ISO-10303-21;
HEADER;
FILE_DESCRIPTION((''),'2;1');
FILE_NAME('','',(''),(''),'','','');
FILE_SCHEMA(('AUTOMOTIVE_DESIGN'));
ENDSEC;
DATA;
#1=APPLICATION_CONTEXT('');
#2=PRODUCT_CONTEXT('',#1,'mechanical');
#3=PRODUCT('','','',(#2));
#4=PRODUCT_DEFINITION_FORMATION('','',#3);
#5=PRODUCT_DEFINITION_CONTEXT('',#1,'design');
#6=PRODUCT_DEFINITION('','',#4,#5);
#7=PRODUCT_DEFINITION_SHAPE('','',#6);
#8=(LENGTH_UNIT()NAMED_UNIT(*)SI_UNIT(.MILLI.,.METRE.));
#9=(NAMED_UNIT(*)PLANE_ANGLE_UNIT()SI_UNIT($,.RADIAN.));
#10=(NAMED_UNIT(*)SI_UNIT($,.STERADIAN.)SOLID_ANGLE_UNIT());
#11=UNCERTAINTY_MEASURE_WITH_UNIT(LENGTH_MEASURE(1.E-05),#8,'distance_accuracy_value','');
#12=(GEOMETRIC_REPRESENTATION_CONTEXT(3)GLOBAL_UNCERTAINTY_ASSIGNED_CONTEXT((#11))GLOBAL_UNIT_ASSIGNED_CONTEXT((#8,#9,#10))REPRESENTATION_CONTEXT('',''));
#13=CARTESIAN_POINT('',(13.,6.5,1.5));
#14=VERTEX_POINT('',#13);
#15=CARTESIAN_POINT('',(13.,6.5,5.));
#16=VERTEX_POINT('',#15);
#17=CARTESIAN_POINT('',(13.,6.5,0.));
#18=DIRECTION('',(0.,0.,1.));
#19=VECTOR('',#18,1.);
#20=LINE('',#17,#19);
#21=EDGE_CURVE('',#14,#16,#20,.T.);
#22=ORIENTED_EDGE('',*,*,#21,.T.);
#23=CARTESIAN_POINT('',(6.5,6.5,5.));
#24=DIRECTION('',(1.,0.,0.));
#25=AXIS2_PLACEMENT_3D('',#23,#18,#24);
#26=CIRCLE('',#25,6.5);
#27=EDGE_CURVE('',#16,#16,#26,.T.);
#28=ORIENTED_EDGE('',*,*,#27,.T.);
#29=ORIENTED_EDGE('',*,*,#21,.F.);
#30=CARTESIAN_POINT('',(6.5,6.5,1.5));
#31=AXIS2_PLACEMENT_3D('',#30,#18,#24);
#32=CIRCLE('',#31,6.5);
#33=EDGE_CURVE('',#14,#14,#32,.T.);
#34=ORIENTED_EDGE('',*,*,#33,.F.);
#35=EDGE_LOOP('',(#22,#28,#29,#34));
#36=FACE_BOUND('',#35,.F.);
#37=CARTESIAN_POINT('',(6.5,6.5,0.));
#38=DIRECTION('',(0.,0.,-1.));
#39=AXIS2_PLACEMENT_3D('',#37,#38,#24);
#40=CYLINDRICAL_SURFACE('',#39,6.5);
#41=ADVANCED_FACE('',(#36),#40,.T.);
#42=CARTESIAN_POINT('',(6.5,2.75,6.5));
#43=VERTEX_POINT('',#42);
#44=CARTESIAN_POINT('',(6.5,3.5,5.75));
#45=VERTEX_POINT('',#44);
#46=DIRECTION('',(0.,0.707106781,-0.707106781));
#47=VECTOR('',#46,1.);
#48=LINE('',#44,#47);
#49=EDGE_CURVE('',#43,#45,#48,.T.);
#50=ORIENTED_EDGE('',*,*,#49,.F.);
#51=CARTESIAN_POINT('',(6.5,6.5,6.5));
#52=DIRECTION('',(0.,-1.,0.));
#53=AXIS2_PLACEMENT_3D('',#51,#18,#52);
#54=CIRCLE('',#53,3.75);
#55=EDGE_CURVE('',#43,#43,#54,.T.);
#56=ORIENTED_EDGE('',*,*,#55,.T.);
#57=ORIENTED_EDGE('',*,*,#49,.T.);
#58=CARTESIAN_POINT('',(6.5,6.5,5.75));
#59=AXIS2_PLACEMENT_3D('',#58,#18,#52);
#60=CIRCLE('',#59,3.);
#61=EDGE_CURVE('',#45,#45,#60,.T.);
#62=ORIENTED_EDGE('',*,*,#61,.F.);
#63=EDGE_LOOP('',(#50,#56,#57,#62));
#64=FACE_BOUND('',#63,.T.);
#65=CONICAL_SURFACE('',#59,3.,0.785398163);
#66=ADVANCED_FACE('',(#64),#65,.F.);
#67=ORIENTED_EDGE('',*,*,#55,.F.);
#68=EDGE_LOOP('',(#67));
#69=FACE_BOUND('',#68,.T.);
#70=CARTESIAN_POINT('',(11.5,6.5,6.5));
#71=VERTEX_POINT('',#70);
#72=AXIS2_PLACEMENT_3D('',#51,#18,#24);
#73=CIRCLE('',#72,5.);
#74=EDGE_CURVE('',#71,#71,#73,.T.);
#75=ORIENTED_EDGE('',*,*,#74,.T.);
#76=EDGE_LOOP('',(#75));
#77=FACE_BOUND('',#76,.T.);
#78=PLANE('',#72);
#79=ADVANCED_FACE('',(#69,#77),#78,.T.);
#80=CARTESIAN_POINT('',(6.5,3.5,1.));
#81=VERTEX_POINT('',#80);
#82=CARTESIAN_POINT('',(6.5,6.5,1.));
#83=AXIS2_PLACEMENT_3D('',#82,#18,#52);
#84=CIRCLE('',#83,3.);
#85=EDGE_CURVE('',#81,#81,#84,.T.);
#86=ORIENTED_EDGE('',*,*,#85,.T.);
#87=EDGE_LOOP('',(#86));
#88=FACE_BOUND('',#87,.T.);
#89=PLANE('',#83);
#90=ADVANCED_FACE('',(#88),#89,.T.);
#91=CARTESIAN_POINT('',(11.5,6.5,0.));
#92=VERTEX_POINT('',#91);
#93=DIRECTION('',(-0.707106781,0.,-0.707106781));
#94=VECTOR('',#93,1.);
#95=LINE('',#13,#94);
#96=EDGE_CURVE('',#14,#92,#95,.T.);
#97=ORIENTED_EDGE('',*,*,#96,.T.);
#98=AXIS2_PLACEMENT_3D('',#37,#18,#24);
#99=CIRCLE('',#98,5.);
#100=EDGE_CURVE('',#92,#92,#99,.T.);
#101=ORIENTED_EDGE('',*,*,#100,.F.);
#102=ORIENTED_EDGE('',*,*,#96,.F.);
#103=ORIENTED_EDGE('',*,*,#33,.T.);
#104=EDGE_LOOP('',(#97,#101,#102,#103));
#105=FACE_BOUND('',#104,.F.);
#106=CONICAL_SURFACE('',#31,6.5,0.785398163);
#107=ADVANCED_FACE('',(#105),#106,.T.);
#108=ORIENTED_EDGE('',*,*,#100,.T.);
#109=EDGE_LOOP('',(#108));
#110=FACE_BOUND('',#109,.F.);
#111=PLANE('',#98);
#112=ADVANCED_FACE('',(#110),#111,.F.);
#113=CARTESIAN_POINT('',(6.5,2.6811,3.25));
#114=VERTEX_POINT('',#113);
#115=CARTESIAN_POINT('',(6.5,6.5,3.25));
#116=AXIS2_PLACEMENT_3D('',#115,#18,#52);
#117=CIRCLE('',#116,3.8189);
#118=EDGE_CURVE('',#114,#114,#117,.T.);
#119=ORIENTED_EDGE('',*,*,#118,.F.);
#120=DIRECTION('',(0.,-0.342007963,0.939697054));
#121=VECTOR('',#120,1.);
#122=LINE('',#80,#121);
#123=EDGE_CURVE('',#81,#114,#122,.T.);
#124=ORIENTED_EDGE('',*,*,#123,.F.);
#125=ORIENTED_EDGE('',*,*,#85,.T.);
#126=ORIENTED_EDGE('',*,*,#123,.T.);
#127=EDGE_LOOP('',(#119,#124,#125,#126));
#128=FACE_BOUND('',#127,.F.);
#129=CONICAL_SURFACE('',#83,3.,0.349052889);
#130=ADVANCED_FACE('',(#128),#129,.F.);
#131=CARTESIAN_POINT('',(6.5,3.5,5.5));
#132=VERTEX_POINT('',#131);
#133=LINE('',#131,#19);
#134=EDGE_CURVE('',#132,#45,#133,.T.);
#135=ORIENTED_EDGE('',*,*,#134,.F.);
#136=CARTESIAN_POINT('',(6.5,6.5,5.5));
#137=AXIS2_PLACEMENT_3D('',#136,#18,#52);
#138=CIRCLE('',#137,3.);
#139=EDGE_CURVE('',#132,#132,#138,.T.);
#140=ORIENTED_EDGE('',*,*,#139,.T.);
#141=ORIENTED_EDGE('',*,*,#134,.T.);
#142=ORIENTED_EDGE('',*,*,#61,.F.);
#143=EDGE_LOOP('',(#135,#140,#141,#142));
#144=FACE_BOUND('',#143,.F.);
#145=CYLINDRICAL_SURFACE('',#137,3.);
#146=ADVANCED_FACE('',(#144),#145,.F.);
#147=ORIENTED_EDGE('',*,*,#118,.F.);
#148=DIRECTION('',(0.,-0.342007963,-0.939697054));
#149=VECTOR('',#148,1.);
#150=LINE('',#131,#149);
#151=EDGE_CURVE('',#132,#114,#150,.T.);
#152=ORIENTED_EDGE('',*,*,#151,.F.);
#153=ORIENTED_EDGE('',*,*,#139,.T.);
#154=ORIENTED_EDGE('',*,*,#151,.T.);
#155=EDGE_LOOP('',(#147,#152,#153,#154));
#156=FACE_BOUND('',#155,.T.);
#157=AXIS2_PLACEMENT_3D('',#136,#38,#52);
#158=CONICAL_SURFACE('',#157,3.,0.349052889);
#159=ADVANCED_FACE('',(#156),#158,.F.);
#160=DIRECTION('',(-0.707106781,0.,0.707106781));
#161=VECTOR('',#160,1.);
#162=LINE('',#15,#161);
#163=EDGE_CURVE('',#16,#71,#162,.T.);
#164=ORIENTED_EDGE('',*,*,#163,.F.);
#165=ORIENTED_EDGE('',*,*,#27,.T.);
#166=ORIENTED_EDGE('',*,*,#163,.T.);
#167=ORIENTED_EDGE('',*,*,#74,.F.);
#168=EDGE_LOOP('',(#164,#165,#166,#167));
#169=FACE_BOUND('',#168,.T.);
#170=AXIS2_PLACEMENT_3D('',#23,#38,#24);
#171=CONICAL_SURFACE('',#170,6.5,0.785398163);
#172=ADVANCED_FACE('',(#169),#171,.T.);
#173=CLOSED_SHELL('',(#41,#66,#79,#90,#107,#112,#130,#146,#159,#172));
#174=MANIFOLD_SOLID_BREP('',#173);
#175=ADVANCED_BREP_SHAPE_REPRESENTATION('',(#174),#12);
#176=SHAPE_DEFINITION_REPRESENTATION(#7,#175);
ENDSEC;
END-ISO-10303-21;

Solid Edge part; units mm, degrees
sketch "Sketch1" plane through (0, 0, 0) normal (0, 0, 1) x (1, 0, 0)
  circle A0 centre (6.5, 6.5) radius 6.5
extrude "ProtrusiónExtruida_3" add sketch "Sketch1" along normal blind 6.5
sketch "Sketch2" plane through (6.5, 0, 0) normal (1, 0, 0) x (0, 1, 0)
  line L0 (3.5, 6.5) -> (6.5, 6.5)
  line L1 (6.5, 1) -> (6.5, 6.5)
  line L2 (3.5, 1) -> (6.5, 1)
  line L3 (3.5, 1) -> (2.6811, 3.25)
  line L4 (3.5, 5.5) -> (2.6811, 3.25)
  line L5 (3.5, 5.5) -> (3.5, 6.5)
revolve "RevolvedCutout1" cut sketch "Sketch2" angle 360 about axis through (6.5, 6.5, 1) along (0, 0, 1)
chamfer "Chaflán_40" distance 1.5 angle 45 2 edges at (0, 6.5, 6.5) (0, 6.5, 0)
chamfer "Chaflán_41" distance 0.75 angle 45 1 edges at (6.5, 3.5, 6.5)
